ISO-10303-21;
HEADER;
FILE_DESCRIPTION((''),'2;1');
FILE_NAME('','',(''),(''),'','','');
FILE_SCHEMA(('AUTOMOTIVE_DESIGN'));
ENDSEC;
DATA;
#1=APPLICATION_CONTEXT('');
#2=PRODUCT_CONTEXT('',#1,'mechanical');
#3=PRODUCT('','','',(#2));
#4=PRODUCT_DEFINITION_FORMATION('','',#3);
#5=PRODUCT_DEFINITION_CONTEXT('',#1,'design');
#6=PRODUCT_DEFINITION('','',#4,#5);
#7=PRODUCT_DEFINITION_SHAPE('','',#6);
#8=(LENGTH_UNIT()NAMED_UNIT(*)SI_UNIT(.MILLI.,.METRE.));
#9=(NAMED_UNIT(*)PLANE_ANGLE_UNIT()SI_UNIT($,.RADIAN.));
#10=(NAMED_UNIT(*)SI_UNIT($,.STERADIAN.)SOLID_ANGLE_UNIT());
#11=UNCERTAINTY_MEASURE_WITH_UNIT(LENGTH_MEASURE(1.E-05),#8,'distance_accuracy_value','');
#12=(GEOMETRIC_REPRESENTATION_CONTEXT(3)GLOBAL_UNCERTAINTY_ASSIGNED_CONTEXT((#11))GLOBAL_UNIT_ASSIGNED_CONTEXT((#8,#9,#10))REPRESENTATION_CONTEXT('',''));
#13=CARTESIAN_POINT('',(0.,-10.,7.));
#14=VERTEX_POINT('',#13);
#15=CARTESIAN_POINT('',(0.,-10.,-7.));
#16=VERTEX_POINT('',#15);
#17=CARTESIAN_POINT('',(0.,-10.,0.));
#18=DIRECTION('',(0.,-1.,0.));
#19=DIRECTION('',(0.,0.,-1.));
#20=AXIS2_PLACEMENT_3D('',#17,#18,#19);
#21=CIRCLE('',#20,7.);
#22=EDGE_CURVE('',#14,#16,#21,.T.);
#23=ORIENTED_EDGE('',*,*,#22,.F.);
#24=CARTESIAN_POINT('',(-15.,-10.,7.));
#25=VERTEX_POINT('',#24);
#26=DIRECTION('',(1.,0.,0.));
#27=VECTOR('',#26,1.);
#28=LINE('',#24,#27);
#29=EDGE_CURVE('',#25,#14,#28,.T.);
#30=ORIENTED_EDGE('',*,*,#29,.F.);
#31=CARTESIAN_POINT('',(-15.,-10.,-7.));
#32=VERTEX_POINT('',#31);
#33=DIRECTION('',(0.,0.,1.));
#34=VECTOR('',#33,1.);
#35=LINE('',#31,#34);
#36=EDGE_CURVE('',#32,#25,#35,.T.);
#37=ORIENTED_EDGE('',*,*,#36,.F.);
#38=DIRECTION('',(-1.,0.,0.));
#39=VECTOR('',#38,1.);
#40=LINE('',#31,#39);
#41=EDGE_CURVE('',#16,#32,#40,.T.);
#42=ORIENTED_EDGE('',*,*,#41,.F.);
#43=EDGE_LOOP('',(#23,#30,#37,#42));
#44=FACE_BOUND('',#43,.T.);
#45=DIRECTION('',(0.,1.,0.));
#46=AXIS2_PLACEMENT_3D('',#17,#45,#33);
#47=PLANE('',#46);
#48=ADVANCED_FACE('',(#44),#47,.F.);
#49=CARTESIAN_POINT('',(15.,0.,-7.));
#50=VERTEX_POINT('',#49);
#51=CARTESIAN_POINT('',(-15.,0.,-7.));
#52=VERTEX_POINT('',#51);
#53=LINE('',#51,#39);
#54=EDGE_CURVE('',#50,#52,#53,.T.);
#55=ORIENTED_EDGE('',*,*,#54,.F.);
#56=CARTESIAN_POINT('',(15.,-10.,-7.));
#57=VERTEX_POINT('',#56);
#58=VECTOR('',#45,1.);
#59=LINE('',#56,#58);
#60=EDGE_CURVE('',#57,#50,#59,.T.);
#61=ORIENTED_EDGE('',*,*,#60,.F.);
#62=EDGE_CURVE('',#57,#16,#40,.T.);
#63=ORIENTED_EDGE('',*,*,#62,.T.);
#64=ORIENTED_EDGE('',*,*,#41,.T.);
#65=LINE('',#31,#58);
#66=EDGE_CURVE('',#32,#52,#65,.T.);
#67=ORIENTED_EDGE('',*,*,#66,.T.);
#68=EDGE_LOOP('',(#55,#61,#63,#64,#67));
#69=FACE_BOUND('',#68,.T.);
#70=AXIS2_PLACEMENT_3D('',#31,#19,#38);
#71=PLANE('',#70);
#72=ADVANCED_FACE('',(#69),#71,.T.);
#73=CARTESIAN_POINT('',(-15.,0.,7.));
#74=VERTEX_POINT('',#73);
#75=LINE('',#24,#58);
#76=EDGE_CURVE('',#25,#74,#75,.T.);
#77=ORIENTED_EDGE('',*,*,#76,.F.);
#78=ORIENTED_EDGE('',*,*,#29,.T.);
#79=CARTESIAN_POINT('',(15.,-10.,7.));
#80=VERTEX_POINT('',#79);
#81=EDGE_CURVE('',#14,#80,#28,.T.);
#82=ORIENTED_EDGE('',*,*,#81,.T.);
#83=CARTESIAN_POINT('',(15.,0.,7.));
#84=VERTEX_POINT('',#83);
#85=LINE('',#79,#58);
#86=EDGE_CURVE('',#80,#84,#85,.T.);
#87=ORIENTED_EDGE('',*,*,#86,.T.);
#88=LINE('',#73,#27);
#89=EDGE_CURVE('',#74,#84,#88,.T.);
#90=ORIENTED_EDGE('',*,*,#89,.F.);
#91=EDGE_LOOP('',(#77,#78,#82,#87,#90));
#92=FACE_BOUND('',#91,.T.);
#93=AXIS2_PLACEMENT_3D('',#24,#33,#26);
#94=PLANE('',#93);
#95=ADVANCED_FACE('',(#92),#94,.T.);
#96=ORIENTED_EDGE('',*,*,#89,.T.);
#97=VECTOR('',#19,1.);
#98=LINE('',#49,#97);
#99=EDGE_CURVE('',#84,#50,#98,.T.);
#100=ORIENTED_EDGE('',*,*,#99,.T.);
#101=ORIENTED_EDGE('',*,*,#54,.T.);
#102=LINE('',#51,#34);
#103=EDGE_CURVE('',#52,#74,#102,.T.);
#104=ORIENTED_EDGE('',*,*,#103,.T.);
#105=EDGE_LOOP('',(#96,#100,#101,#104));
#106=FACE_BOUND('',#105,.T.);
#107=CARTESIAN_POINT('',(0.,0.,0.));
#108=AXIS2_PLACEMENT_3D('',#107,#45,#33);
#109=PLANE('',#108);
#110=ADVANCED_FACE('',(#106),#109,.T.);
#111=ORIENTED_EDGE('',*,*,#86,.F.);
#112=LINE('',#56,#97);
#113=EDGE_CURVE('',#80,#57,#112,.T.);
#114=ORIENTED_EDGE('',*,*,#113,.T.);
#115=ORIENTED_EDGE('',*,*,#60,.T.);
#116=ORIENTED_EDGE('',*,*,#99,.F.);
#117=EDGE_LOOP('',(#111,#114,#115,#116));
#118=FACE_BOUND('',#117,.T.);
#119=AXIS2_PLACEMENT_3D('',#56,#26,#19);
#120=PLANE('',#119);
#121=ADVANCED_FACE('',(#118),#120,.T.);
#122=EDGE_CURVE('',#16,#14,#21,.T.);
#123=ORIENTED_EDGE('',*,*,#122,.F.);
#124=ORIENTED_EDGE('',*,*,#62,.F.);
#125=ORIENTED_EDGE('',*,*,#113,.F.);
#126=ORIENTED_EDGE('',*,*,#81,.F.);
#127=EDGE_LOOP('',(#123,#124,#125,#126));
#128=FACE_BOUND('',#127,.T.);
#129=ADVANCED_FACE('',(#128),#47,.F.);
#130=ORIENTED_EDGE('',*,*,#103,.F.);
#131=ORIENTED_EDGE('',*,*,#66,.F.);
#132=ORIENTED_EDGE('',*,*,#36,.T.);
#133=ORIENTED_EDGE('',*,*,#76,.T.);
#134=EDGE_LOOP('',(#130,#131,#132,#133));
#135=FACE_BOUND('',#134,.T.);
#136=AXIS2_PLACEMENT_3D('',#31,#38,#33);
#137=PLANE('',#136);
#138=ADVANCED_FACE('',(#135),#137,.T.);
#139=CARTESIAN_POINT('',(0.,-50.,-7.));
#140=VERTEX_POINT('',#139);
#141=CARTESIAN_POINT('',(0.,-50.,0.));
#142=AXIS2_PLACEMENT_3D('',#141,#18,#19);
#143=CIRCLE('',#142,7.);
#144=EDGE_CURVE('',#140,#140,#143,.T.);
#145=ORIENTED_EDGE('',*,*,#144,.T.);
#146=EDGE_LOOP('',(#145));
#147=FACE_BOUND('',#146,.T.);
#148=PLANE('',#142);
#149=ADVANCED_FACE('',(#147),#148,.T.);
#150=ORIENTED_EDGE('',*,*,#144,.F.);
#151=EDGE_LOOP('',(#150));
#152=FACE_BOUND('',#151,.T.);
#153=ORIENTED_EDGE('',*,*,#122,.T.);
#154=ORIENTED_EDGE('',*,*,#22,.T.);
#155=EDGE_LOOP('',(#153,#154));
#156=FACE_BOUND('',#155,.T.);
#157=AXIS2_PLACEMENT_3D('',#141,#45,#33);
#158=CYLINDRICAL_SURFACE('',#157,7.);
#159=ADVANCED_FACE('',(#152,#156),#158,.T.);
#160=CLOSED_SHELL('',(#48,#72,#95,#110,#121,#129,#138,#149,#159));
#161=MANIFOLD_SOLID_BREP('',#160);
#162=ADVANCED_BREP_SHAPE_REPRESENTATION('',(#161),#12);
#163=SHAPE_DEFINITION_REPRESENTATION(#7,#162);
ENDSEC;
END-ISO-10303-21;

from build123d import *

# Parameters (mm, degrees)
SKETCH2_W           = 30
SKETCH2_H           = 14
BOSS_EXTRUDE1_DEPTH = 10
SKETCH3_R           = 7
BOSS_EXTRUDE2_DEPTH = 40


with BuildPart() as part:
    # Sketch2 → Boss-Extrude1 (new body)
    with BuildSketch(Plane(origin=(0, 0, 0), x_dir=(1, 0, 0), z_dir=(0, 1, 0))):
        Rectangle(SKETCH2_W, SKETCH2_H)
    extrude(amount=-BOSS_EXTRUDE1_DEPTH)

    # Sketch3 → Boss-Extrude2 (add)
    with BuildSketch(Plane.XZ.offset(10)):
        Circle(SKETCH3_R)
    extrude(amount=BOSS_EXTRUDE2_DEPTH)


solid = part.part
